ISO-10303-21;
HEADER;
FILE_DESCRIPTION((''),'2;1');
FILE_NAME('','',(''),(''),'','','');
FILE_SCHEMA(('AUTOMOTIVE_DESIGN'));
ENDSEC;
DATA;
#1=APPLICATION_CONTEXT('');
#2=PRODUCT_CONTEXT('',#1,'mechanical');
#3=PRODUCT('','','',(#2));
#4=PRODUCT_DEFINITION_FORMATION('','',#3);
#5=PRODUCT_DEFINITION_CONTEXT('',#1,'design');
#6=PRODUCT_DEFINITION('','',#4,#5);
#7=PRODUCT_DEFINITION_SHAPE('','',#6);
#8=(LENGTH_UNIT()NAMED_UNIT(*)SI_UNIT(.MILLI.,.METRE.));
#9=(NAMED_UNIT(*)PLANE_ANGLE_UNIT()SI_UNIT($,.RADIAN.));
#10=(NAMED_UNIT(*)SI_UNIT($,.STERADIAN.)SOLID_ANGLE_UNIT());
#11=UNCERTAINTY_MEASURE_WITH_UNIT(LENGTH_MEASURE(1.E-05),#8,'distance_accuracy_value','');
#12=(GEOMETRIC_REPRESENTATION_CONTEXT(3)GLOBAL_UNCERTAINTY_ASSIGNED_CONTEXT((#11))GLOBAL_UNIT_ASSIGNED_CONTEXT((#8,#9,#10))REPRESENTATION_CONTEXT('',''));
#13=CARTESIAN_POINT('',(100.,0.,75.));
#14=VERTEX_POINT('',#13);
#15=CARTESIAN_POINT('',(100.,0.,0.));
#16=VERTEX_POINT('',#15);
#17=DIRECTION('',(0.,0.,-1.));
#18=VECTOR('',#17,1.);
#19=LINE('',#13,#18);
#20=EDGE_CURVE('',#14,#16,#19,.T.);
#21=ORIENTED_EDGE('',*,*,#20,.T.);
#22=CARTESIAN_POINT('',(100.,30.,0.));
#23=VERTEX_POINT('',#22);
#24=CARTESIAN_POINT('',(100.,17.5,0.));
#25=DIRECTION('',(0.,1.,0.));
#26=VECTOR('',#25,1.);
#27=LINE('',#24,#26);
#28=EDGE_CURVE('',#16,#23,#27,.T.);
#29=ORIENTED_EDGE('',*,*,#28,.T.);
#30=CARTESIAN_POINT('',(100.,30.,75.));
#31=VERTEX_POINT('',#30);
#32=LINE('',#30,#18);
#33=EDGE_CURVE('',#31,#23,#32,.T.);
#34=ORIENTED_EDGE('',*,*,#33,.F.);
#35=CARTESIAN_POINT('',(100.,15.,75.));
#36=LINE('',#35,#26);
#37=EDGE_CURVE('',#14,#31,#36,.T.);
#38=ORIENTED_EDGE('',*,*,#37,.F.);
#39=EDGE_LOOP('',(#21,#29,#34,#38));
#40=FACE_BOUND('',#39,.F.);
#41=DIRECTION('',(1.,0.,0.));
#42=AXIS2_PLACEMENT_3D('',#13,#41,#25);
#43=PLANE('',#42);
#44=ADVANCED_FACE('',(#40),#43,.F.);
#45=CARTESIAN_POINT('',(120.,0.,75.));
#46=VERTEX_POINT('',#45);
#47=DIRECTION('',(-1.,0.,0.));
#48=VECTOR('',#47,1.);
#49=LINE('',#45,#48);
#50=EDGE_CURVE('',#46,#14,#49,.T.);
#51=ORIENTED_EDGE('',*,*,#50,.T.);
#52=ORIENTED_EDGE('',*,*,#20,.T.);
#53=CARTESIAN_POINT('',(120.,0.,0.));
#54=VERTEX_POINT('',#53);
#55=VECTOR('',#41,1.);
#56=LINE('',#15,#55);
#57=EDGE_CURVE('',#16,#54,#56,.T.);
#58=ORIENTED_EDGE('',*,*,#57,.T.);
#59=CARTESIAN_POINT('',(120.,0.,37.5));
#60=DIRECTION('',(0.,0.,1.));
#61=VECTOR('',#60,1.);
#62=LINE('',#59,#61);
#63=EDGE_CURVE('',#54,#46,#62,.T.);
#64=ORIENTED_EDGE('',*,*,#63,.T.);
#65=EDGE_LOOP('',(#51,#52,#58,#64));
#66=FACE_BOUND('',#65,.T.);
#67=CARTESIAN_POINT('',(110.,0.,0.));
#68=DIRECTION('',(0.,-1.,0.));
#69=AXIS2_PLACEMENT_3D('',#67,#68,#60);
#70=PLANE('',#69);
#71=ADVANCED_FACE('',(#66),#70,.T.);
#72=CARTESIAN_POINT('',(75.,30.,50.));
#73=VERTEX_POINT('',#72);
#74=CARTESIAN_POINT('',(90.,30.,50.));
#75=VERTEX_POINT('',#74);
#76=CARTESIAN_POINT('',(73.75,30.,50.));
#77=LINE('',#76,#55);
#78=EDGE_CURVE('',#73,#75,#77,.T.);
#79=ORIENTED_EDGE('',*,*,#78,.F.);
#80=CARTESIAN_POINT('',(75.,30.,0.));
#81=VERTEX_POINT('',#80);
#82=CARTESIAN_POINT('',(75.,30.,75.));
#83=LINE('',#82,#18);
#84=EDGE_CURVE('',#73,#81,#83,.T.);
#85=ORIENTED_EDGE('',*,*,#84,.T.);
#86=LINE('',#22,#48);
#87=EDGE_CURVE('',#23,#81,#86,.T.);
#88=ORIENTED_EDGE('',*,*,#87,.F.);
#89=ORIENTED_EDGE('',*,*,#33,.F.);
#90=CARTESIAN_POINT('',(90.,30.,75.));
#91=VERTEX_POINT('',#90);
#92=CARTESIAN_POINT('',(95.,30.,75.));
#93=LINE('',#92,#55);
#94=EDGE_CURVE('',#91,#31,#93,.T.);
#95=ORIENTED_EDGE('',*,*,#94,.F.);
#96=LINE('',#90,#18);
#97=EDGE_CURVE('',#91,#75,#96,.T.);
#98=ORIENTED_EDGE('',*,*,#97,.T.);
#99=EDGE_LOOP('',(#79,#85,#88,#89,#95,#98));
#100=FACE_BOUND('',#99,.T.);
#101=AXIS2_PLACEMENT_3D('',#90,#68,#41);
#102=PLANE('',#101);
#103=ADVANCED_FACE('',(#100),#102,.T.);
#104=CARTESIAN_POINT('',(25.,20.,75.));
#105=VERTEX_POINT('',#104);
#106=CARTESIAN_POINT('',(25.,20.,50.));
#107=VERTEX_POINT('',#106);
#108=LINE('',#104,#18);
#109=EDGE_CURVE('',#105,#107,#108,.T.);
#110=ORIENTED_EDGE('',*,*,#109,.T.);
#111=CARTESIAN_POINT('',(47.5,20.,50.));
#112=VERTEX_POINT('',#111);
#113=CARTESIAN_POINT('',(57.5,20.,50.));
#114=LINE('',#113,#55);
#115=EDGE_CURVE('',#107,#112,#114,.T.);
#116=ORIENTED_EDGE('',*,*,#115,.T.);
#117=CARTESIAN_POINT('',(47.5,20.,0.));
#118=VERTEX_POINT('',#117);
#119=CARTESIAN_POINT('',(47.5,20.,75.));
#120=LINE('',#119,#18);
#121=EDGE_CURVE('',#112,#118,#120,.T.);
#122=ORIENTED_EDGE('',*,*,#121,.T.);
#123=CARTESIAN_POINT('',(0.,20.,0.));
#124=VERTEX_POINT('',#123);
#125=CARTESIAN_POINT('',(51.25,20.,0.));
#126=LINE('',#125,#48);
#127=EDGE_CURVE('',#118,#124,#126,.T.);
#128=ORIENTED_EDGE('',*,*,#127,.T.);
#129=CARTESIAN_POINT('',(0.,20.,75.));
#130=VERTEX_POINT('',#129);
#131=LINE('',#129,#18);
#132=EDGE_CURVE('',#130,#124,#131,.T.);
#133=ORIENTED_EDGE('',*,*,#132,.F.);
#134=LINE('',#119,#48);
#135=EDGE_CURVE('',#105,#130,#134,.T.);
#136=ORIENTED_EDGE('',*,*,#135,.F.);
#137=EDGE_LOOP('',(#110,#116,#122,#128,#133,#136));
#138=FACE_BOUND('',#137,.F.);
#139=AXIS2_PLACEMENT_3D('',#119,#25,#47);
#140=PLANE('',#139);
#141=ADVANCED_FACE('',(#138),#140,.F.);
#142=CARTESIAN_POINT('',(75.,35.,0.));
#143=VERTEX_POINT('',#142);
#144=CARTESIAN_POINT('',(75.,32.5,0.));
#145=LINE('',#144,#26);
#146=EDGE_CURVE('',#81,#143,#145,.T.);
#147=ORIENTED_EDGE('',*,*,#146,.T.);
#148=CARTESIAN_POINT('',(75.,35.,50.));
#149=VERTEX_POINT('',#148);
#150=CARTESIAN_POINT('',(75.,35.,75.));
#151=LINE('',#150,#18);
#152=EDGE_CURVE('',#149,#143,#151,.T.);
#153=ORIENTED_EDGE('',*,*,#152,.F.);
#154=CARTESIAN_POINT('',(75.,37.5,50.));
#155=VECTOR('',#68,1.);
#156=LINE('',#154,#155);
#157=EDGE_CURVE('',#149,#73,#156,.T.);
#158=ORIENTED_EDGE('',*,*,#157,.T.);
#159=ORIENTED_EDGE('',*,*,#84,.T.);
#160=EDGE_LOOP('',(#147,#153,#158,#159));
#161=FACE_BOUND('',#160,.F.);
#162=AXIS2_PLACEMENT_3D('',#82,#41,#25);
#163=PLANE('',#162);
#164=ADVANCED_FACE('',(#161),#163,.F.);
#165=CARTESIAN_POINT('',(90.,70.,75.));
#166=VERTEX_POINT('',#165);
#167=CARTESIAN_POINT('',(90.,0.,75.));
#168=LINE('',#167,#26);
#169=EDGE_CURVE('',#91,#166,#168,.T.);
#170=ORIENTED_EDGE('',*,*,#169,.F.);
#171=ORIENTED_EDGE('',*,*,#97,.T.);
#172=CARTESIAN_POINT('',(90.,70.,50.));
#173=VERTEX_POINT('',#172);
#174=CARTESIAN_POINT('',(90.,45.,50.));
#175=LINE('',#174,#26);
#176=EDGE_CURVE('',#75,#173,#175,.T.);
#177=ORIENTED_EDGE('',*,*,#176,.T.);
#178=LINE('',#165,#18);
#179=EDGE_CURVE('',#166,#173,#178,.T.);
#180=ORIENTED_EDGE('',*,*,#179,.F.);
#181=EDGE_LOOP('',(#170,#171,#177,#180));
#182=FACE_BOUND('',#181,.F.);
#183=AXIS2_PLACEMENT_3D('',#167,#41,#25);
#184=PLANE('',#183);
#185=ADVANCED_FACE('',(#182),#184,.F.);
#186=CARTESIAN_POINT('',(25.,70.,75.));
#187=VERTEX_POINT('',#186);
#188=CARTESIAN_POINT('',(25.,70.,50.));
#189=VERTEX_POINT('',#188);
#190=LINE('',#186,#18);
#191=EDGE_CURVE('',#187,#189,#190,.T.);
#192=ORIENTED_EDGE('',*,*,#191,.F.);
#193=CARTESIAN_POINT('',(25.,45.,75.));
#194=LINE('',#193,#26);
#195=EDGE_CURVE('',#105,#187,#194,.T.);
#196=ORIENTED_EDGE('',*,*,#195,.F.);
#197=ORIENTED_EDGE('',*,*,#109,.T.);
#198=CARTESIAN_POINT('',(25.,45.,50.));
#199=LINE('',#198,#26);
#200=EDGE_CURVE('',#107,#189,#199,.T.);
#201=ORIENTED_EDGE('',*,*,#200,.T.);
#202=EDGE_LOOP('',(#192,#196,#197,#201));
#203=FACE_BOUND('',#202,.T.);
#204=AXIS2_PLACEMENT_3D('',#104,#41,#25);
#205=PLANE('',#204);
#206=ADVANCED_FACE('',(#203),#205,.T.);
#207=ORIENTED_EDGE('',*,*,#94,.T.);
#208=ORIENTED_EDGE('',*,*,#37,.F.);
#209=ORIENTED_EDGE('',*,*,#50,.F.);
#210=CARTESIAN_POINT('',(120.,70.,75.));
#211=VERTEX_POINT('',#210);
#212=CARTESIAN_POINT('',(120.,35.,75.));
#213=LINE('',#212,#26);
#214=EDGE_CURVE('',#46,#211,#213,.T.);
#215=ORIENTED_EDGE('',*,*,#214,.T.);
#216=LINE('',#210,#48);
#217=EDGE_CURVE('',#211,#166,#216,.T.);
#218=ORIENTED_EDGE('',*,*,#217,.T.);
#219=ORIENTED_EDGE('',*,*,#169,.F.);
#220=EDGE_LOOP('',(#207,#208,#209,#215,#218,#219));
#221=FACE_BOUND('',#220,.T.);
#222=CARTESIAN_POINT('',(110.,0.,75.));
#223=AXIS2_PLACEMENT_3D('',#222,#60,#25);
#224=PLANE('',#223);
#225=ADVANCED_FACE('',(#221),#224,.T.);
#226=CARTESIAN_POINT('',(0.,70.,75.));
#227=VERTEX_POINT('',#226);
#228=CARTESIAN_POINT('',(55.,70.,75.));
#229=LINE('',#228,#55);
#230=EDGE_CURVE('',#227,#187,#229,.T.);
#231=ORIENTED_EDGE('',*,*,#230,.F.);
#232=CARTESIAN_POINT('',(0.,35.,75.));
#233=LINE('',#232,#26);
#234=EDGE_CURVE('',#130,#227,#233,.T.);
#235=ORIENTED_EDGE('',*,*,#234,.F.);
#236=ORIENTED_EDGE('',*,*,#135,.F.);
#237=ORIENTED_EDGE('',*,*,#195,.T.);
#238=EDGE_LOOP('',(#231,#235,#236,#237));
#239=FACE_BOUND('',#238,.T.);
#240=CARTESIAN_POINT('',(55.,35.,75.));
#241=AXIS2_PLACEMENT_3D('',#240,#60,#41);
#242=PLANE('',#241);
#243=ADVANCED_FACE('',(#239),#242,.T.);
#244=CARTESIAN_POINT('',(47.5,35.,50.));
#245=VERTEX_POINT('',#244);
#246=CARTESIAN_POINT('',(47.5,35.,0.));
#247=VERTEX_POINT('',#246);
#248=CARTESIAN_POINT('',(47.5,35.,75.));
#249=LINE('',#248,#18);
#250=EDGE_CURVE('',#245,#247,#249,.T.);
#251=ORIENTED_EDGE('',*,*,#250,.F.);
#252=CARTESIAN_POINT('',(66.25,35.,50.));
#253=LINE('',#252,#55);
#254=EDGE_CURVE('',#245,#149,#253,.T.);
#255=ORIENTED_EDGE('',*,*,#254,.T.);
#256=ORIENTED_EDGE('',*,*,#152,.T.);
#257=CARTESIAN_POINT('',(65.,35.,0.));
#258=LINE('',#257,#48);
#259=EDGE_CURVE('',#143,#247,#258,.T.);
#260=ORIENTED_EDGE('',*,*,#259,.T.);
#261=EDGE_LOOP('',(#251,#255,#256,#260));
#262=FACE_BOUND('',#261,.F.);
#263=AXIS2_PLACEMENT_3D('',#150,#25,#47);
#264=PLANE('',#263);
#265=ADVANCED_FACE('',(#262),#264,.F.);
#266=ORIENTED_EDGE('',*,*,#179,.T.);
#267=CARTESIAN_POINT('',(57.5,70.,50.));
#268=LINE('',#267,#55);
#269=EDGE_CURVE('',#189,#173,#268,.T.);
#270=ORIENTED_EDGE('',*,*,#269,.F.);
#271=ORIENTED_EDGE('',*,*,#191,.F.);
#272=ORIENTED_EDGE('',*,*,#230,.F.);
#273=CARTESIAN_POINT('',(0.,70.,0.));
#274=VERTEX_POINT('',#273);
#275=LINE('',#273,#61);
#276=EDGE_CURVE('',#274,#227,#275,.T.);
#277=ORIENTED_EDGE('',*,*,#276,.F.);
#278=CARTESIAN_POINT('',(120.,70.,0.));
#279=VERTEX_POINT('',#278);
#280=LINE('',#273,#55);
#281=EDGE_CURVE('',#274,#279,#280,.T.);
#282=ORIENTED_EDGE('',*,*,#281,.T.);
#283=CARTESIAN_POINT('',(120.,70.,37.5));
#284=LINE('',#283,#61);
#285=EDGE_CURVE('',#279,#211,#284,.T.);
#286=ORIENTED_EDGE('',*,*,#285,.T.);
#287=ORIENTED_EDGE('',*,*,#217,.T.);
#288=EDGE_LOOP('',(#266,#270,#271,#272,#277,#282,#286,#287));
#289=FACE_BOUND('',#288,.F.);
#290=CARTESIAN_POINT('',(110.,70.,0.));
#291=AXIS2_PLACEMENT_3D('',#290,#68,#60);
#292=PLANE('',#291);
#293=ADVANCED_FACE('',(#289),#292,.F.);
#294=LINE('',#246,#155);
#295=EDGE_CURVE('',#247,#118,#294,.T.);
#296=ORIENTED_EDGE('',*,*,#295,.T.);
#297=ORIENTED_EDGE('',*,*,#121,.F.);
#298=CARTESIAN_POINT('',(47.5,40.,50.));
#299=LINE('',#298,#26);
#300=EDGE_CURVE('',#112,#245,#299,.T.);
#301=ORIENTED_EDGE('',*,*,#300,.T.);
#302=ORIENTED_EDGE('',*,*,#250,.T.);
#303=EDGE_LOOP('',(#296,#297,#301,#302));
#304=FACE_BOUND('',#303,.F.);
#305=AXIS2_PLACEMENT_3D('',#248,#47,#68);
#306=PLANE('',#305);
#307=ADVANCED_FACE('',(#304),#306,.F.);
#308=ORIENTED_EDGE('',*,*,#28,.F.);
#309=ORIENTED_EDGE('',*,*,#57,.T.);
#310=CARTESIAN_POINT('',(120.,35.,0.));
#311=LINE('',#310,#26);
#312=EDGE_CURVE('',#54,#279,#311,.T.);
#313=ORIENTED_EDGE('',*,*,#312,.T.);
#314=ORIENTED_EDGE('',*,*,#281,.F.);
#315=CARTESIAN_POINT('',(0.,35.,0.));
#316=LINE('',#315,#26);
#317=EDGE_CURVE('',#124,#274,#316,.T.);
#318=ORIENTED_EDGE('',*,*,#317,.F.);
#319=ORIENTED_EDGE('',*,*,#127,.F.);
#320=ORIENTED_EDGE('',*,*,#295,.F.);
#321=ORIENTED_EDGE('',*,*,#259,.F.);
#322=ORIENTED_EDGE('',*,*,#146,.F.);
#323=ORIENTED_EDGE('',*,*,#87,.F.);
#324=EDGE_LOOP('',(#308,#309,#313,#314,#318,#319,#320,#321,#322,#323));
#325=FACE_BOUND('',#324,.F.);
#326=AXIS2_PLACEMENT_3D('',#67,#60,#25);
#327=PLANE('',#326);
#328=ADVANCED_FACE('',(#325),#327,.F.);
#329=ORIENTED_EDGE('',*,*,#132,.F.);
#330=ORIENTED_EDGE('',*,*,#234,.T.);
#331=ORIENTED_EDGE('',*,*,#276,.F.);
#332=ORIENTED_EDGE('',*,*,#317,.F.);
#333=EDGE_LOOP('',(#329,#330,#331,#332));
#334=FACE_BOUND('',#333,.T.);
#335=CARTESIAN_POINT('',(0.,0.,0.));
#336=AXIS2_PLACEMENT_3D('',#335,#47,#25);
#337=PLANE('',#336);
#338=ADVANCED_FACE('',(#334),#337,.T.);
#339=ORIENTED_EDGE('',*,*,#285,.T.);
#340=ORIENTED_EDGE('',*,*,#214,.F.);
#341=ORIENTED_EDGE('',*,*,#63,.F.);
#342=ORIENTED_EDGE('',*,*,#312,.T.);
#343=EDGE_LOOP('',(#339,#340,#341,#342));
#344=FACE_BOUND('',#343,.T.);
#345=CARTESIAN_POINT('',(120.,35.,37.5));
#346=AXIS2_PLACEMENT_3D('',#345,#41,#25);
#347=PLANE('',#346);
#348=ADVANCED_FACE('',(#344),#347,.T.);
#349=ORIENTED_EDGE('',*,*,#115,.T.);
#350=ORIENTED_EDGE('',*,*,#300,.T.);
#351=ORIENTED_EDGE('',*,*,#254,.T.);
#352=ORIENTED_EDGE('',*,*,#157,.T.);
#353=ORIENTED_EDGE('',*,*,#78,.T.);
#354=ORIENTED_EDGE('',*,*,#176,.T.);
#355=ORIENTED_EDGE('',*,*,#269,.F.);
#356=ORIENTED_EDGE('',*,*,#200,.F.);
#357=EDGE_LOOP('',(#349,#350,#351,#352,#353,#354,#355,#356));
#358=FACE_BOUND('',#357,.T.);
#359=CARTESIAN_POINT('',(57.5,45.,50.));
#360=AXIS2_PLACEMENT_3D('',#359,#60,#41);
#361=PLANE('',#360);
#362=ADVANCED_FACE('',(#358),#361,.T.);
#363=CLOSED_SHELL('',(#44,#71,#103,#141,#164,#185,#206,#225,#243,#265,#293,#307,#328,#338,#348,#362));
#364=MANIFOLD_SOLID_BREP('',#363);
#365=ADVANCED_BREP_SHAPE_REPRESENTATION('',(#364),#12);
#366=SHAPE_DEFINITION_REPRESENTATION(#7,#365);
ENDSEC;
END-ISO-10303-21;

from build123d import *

# Parameters (mm, degrees)
F0_W     = 110
F0_H     = 70
F1_DEPTH = 75
F3_DEPTH = 75.001
F4_W     = 65
F4_H     = 50
F5_DEPTH = 25
F6_W     = 10
F6_H     = 30
F7_DEPTH = 75.001
F8_W     = 70
F8_H     = 75
F9_DEPTH = 10


with BuildPart() as f1:
    # F0 (on Top) → F1 (new body)
    with BuildSketch(Plane.XY):
        with Locations((55, 35)):
            Rectangle(F0_W, F0_H)
    extrude(amount=F1_DEPTH)

    # F2 (on face) → F3 (cut, through all)
    with BuildSketch(Plane.XY.offset(75)):
        Polygon((0, 0), (90, 0), (90, 30), (75, 30), (75, 35), (47.5, 35), (47.5, 20), (0, 20), align=None)
    extrude(amount=-F3_DEPTH, mode=Mode.SUBTRACT)

    # F4 (on face) → F5 (cut)
    with BuildSketch(Plane.XY.offset(75)):
        with Locations((57.5, 45)):
            Rectangle(F4_W, F4_H)
    extrude(amount=-F5_DEPTH, mode=Mode.SUBTRACT)

    # F6 (on face) → F7 (cut, through all)
    with BuildSketch(Plane.XY.offset(75)):
        with Locations((95, 15)):
            Rectangle(F6_W, F6_H)
    extrude(amount=-F7_DEPTH, mode=Mode.SUBTRACT)

    # F8 (on face) → F9 (join)
    with BuildSketch(Plane.YZ.offset(110)):
        with Locations((35, 37.5)):
            Rectangle(F8_W, F8_H)
    extrude(amount=F9_DEPTH)


solid = f1.part
